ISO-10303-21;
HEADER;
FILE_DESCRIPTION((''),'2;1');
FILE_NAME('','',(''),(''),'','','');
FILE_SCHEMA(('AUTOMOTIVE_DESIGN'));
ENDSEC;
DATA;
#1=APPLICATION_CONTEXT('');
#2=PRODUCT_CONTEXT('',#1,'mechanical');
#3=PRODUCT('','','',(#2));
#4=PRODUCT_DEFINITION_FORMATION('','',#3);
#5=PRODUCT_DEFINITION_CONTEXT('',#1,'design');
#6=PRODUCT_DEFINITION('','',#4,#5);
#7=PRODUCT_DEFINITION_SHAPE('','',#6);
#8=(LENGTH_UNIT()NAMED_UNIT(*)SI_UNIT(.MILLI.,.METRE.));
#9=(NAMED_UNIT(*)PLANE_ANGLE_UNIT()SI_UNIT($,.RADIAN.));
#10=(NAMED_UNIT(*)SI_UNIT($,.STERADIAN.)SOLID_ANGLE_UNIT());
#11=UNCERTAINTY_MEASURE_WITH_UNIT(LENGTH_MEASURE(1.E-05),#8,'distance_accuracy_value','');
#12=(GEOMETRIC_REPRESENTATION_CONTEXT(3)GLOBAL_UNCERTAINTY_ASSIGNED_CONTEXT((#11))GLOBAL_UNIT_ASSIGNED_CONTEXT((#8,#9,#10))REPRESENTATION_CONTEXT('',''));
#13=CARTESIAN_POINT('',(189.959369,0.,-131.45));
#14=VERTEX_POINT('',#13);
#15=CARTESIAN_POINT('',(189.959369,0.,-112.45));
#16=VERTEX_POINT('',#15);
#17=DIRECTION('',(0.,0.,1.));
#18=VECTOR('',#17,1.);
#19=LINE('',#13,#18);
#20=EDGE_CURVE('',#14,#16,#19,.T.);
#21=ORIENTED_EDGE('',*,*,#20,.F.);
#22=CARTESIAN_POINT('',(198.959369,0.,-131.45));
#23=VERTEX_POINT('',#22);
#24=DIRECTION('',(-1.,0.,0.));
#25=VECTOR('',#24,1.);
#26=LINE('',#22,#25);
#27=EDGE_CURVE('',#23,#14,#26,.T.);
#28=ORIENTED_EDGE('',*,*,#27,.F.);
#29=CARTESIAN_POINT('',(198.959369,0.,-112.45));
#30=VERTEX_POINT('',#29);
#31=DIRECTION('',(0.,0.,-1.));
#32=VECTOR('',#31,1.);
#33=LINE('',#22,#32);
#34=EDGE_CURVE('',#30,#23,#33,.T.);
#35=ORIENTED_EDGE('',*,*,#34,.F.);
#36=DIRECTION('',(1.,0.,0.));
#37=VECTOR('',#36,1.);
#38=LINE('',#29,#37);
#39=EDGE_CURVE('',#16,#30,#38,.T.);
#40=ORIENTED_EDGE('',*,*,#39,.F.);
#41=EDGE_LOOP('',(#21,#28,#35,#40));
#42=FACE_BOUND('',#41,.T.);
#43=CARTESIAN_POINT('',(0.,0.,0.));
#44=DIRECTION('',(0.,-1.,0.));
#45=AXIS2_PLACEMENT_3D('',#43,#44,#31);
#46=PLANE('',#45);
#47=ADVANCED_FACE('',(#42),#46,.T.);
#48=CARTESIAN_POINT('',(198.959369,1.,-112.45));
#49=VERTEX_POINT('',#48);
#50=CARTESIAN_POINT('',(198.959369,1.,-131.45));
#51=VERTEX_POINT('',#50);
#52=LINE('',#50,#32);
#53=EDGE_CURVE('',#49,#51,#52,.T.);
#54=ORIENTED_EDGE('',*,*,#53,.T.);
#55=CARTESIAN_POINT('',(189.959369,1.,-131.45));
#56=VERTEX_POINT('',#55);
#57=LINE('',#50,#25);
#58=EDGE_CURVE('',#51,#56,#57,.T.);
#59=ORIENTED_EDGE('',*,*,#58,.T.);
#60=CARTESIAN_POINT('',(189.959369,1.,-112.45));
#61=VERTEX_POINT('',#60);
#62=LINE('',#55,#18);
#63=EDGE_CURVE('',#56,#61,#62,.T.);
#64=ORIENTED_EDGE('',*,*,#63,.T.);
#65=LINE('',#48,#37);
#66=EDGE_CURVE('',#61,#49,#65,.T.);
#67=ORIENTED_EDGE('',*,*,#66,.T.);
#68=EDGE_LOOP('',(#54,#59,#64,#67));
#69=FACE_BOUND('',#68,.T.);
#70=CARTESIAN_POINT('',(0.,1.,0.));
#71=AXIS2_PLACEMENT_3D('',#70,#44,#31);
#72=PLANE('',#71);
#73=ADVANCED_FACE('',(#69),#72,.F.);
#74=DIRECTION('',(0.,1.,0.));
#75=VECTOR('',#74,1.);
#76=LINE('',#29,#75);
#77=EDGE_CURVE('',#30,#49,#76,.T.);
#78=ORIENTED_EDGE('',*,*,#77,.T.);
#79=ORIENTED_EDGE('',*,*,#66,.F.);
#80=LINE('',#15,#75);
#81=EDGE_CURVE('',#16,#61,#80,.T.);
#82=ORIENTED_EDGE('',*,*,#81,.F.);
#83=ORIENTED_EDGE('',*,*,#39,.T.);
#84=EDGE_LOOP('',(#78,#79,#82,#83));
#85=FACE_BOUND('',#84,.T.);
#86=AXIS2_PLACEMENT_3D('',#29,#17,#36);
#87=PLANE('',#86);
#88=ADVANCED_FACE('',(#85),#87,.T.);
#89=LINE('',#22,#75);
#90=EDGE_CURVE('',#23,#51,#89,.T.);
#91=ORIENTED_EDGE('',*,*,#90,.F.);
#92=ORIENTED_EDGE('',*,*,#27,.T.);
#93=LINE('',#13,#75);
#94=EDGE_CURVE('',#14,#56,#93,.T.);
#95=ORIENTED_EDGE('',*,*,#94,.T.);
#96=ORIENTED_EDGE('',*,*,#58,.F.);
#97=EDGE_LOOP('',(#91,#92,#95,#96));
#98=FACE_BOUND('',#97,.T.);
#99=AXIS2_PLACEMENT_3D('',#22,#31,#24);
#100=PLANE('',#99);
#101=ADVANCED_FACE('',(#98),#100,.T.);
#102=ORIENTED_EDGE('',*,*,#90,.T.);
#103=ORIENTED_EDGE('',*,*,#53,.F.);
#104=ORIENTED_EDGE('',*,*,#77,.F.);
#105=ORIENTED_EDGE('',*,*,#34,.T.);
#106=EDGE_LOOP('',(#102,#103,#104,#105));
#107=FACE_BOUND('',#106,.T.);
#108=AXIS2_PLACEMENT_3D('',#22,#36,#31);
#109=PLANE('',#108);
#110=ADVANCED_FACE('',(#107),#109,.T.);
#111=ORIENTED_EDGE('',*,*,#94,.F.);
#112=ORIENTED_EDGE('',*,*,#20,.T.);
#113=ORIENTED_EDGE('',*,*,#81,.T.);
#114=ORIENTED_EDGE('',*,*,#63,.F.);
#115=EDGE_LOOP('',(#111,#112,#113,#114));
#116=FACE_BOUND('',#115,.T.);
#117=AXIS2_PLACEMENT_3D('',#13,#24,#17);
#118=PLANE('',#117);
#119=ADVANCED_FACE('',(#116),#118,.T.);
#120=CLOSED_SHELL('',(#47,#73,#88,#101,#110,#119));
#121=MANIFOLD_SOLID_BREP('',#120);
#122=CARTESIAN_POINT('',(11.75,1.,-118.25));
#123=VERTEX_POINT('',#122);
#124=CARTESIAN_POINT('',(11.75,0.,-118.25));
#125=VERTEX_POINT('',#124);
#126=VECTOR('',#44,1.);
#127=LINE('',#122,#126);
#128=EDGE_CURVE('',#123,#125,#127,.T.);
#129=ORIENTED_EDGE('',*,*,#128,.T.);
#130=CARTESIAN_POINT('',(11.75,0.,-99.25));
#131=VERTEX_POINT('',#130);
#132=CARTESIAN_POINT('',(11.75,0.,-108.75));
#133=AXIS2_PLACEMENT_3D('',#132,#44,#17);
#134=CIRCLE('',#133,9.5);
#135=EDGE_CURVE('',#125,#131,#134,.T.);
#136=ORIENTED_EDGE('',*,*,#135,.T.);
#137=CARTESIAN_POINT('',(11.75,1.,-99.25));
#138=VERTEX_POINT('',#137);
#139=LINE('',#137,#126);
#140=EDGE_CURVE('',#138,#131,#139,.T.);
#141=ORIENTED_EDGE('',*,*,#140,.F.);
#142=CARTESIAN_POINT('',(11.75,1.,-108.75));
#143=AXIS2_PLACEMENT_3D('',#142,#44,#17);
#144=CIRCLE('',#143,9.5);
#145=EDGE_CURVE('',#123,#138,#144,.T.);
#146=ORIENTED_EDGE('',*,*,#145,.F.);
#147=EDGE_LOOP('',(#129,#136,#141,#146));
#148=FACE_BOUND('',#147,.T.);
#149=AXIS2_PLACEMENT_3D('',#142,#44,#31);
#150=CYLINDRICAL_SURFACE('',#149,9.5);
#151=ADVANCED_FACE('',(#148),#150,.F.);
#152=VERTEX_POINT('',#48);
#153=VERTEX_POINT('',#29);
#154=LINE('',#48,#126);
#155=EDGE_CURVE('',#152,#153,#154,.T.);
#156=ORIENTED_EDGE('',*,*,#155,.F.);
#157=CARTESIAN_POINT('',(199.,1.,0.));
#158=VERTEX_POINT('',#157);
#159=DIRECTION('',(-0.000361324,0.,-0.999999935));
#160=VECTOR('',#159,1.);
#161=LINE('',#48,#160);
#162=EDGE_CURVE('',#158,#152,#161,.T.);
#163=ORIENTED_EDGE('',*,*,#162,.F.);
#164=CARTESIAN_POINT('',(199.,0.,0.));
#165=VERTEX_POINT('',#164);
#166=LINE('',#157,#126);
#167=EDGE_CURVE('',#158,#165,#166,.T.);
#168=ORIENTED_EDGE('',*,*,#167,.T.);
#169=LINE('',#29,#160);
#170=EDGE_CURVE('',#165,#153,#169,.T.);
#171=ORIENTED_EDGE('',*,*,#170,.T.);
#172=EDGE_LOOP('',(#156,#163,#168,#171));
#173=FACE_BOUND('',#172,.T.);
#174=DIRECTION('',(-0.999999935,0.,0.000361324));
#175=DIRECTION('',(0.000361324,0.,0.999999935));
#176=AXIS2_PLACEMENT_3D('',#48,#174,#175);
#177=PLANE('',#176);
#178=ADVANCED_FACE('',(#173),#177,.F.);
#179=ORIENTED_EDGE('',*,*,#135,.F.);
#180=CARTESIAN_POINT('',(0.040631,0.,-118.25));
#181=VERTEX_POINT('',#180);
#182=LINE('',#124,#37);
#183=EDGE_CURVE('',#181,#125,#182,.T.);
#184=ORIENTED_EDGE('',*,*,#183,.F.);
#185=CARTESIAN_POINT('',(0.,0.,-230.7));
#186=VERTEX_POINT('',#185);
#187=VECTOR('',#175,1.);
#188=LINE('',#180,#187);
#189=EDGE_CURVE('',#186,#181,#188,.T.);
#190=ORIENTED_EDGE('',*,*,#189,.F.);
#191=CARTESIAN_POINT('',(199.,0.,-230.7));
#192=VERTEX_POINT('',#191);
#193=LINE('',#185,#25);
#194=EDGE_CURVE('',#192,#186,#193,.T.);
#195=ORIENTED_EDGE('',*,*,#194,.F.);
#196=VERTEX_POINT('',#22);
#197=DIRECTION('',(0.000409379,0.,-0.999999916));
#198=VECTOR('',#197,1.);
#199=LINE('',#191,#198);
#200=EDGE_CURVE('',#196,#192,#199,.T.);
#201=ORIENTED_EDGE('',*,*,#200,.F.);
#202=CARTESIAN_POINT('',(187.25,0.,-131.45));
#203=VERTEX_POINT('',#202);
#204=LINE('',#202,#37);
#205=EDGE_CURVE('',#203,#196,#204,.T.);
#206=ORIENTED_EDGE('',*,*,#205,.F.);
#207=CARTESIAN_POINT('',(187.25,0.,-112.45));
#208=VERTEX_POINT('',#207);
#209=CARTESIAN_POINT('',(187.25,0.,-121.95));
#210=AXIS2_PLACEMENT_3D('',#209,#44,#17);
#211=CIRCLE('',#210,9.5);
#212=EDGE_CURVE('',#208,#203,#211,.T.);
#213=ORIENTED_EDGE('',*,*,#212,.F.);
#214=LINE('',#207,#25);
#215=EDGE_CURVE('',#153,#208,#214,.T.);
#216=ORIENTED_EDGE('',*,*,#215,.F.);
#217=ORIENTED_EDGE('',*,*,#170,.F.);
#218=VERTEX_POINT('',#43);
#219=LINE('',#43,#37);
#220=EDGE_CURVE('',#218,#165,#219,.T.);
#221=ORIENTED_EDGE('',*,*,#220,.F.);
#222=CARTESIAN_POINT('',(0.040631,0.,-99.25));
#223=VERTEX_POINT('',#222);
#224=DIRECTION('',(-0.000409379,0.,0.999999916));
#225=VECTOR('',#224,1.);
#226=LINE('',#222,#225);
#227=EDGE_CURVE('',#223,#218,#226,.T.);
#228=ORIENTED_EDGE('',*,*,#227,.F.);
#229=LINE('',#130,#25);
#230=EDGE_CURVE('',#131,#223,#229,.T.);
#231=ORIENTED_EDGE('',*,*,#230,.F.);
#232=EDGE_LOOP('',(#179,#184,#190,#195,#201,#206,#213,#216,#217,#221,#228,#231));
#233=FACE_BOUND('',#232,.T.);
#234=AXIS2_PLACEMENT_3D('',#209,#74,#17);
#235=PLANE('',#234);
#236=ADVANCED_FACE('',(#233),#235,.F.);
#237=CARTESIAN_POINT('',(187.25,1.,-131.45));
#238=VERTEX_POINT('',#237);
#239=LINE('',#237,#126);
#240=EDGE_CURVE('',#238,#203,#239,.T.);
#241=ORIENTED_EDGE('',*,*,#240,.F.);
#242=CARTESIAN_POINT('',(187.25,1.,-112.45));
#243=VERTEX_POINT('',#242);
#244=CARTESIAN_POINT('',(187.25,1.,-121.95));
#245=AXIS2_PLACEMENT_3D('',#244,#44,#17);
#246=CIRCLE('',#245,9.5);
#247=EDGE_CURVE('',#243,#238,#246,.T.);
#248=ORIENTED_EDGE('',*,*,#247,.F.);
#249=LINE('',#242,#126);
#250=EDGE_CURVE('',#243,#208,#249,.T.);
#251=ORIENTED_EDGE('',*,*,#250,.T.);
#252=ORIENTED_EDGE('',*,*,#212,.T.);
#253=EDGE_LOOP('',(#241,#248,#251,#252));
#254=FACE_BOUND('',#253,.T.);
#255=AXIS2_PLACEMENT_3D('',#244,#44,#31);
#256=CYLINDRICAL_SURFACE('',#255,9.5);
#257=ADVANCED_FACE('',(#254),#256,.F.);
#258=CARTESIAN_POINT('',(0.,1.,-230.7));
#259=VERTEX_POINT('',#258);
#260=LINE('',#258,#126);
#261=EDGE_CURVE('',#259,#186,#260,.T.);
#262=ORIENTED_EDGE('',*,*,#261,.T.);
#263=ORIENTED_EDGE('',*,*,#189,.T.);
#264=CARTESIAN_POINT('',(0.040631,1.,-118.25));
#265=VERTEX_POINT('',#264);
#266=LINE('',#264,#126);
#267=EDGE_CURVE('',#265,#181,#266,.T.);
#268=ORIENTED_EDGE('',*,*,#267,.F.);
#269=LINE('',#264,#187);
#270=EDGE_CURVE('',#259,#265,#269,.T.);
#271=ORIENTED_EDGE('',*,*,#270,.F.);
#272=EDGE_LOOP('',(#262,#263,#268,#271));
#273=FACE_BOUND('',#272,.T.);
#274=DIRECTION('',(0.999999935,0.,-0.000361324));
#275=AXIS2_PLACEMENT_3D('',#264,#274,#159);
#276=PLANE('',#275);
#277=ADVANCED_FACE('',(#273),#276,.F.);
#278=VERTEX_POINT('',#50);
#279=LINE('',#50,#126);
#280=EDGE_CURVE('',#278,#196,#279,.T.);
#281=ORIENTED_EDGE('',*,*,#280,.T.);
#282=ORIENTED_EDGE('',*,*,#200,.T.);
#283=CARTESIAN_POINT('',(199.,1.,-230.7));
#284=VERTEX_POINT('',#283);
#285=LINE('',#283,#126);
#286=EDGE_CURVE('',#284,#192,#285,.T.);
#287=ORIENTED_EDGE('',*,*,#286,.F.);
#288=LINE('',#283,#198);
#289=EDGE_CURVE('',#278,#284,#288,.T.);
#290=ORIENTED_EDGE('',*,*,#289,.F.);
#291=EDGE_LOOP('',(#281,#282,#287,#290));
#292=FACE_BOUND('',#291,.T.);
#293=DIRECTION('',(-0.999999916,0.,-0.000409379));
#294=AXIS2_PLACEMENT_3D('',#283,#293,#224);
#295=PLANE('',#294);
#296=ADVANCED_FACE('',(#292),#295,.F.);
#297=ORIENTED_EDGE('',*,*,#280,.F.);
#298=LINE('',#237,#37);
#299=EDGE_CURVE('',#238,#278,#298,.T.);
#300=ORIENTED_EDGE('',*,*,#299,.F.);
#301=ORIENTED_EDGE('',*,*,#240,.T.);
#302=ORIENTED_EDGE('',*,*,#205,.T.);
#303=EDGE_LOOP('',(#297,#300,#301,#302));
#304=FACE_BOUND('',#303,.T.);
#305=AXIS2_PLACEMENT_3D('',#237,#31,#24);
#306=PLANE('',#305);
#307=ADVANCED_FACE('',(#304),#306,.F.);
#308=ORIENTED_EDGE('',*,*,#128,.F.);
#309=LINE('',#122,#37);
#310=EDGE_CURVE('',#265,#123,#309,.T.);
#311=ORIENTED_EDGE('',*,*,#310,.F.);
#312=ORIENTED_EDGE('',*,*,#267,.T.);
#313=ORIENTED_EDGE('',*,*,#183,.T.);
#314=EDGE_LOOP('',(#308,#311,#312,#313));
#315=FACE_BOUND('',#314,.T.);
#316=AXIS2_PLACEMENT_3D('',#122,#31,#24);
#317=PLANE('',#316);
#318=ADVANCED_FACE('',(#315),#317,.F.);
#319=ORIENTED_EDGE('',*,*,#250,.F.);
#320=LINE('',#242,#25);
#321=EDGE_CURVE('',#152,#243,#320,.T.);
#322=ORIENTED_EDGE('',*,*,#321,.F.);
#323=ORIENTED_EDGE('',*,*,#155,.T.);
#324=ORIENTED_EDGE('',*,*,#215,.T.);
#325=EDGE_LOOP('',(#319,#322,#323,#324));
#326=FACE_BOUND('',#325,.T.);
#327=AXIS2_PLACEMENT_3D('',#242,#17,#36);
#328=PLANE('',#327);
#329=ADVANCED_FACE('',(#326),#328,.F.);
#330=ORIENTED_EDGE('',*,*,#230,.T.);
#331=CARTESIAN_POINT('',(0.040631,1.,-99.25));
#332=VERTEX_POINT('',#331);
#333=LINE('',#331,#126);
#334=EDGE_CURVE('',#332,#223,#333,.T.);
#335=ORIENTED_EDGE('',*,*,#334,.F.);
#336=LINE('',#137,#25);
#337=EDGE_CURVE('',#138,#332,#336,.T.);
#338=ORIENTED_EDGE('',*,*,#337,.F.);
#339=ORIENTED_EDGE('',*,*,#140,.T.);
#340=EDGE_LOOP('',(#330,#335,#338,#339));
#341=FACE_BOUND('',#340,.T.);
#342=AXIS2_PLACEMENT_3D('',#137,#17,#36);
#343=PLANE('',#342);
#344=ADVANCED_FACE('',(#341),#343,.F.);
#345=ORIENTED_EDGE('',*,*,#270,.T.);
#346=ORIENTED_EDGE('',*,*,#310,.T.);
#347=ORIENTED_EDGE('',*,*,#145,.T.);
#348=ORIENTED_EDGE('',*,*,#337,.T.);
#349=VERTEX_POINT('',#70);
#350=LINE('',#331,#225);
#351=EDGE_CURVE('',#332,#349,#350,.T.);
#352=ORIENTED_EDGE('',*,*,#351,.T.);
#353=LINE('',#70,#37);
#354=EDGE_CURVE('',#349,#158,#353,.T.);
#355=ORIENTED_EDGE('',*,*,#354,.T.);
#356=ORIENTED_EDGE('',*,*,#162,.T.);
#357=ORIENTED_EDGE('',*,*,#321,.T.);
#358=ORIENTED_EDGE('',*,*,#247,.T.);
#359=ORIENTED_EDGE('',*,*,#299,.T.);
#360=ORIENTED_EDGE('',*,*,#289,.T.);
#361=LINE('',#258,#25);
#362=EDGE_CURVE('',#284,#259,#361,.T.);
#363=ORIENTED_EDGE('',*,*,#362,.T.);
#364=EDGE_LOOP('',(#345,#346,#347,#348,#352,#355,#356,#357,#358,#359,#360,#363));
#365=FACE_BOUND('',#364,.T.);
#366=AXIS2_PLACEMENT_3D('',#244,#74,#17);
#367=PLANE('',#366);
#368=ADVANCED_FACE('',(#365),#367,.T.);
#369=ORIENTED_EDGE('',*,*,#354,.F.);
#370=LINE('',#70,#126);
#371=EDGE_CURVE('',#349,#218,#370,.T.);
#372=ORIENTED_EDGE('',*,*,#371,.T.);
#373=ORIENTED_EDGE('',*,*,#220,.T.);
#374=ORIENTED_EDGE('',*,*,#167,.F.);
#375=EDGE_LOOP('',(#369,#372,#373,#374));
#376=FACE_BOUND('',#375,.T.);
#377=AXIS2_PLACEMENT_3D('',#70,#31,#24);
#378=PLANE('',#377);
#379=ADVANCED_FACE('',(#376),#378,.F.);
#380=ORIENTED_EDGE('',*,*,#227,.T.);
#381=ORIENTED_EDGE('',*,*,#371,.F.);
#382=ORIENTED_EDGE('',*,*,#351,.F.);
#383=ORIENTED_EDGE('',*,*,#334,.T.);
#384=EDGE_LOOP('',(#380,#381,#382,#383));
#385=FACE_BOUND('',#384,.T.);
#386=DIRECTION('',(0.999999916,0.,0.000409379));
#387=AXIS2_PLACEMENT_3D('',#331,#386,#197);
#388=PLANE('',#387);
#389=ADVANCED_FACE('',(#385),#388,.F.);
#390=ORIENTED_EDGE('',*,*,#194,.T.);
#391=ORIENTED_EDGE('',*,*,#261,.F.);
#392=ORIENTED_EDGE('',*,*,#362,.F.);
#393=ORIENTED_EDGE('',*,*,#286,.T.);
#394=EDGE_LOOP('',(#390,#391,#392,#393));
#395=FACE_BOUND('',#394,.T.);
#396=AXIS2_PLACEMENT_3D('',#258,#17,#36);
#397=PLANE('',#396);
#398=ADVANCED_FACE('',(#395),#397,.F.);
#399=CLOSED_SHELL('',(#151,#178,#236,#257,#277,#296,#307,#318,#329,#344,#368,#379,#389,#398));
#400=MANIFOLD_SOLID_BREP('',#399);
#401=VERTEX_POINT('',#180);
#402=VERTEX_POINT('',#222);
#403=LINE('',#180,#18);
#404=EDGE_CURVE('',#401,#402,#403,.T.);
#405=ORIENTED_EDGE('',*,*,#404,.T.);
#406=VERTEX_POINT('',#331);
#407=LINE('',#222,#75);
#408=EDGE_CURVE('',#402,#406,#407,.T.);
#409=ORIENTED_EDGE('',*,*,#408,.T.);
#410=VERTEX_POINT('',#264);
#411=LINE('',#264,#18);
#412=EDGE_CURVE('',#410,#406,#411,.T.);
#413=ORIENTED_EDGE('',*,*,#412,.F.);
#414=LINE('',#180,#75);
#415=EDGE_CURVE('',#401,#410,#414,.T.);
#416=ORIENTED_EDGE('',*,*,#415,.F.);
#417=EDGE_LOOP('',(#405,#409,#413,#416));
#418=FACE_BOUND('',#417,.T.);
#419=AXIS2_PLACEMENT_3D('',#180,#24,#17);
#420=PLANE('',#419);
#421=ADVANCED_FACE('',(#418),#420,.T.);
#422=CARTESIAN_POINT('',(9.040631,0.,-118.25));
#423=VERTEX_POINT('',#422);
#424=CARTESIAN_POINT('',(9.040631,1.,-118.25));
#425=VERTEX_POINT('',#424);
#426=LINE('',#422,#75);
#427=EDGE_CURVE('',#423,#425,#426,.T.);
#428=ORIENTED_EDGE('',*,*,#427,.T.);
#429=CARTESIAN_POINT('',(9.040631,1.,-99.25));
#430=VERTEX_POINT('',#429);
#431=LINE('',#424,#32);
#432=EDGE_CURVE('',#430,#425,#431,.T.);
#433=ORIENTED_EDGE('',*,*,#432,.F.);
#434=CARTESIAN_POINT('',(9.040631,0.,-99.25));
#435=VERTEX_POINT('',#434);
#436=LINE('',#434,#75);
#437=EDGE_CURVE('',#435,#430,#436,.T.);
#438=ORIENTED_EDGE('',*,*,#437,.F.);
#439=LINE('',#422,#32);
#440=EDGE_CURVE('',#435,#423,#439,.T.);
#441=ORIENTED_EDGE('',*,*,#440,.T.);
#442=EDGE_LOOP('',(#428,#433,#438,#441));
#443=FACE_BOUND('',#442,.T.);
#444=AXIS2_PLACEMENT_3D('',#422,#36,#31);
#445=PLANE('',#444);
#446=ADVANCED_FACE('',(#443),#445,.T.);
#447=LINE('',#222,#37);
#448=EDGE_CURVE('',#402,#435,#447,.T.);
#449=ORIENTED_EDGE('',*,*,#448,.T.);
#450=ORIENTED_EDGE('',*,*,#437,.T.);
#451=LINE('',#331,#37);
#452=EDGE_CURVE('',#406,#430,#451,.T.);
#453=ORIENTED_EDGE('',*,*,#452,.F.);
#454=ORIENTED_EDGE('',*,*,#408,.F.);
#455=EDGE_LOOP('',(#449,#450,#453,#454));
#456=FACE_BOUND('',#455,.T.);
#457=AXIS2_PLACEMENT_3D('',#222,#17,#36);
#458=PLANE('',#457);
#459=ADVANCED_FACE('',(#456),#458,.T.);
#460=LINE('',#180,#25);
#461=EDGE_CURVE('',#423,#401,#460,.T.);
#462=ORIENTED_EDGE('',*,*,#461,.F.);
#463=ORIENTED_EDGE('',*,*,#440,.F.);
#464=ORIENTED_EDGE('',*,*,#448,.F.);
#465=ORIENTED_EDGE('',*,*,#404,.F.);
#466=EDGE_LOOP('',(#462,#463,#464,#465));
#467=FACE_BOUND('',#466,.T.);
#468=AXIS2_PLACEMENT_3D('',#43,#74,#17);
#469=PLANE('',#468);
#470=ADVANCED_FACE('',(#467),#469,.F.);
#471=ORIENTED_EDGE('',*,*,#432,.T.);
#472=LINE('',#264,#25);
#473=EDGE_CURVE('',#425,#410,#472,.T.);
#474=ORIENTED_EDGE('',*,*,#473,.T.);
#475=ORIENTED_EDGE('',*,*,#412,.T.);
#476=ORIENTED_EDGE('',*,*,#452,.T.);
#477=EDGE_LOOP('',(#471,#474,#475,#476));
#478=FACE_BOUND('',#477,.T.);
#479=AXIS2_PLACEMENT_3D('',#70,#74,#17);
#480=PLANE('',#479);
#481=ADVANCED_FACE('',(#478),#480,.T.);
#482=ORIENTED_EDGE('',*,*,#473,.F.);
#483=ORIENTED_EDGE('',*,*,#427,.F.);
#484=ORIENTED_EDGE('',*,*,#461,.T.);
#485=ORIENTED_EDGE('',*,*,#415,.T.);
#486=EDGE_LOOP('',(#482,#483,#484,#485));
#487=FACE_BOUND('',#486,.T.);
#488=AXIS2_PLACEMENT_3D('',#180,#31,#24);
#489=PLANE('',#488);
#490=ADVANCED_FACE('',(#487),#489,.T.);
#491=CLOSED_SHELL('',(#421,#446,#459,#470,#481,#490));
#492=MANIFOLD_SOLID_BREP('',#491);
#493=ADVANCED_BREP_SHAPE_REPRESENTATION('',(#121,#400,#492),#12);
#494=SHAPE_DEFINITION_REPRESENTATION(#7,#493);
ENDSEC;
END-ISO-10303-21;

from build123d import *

# Parameters (mm, degrees)
BOSS_EXTRUDE1_DEPTH   = 1
SKETCH2_W             = 9
SKETCH2_H             = 19
BOSS_EXTRUDE2_DEPTH   = 1
BOSS_EXTRUDE2_2_DEPTH = 1


with BuildPart() as part:
    # Sketch1 → Boss-Extrude1 (new body)
    with BuildSketch(Plane(origin=(0, 0, 0), x_dir=(1, 0, 0), z_dir=(0, 1, 0))):
        with BuildLine():
            Line((0, 0), (199, 0))
            Line((199, 0), (198.959369161, 112.45))
            Line((198.959369161, 112.45), (187.25, 112.45))
            ThreePointArc((187.25, 112.45), (177.75, 121.95), (187.25, 131.45))
            Line((187.25, 131.45), (198.959369161, 131.45))
            Line((198.959369161, 131.45), (199, 230.7))
            Line((199, 230.7), (0, 230.7))
            Line((0, 230.7), (0.040630839, 118.25))
            Line((0.040630839, 118.25), (11.75, 118.25))
            ThreePointArc((11.75, 118.25), (21.25, 108.75), (11.75, 99.25))
            Line((11.75, 99.25), (0.040630839, 99.25))
            Line((0.040630839, 99.25), (0, 0))
        make_face()
    extrude(amount=BOSS_EXTRUDE1_DEPTH)


with BuildPart() as body_2:
    # Sketch2 → Boss-Extrude2 (new, through all)
    with BuildSketch(Plane(origin=(0, 1, 0), x_dir=(1, 0, 0), z_dir=(0, 1, 0))):
        with Locations((4.540630839, 108.75)):
            Rectangle(SKETCH2_W, SKETCH2_H)
    extrude(amount=-BOSS_EXTRUDE2_DEPTH)


with BuildPart() as body_3:
    # Sketch2 → Boss-Extrude2 2 (new, through all)
    with BuildSketch(Plane(origin=(0, 1, 0), x_dir=(1, 0, 0), z_dir=(0, 1, 0))):
        with Locations((194.459369161, 121.95)):
            Rectangle(SKETCH2_W, SKETCH2_H)
    extrude(amount=-BOSS_EXTRUDE2_2_DEPTH)


solid = Compound([part.part, body_2.part, body_3.part])
